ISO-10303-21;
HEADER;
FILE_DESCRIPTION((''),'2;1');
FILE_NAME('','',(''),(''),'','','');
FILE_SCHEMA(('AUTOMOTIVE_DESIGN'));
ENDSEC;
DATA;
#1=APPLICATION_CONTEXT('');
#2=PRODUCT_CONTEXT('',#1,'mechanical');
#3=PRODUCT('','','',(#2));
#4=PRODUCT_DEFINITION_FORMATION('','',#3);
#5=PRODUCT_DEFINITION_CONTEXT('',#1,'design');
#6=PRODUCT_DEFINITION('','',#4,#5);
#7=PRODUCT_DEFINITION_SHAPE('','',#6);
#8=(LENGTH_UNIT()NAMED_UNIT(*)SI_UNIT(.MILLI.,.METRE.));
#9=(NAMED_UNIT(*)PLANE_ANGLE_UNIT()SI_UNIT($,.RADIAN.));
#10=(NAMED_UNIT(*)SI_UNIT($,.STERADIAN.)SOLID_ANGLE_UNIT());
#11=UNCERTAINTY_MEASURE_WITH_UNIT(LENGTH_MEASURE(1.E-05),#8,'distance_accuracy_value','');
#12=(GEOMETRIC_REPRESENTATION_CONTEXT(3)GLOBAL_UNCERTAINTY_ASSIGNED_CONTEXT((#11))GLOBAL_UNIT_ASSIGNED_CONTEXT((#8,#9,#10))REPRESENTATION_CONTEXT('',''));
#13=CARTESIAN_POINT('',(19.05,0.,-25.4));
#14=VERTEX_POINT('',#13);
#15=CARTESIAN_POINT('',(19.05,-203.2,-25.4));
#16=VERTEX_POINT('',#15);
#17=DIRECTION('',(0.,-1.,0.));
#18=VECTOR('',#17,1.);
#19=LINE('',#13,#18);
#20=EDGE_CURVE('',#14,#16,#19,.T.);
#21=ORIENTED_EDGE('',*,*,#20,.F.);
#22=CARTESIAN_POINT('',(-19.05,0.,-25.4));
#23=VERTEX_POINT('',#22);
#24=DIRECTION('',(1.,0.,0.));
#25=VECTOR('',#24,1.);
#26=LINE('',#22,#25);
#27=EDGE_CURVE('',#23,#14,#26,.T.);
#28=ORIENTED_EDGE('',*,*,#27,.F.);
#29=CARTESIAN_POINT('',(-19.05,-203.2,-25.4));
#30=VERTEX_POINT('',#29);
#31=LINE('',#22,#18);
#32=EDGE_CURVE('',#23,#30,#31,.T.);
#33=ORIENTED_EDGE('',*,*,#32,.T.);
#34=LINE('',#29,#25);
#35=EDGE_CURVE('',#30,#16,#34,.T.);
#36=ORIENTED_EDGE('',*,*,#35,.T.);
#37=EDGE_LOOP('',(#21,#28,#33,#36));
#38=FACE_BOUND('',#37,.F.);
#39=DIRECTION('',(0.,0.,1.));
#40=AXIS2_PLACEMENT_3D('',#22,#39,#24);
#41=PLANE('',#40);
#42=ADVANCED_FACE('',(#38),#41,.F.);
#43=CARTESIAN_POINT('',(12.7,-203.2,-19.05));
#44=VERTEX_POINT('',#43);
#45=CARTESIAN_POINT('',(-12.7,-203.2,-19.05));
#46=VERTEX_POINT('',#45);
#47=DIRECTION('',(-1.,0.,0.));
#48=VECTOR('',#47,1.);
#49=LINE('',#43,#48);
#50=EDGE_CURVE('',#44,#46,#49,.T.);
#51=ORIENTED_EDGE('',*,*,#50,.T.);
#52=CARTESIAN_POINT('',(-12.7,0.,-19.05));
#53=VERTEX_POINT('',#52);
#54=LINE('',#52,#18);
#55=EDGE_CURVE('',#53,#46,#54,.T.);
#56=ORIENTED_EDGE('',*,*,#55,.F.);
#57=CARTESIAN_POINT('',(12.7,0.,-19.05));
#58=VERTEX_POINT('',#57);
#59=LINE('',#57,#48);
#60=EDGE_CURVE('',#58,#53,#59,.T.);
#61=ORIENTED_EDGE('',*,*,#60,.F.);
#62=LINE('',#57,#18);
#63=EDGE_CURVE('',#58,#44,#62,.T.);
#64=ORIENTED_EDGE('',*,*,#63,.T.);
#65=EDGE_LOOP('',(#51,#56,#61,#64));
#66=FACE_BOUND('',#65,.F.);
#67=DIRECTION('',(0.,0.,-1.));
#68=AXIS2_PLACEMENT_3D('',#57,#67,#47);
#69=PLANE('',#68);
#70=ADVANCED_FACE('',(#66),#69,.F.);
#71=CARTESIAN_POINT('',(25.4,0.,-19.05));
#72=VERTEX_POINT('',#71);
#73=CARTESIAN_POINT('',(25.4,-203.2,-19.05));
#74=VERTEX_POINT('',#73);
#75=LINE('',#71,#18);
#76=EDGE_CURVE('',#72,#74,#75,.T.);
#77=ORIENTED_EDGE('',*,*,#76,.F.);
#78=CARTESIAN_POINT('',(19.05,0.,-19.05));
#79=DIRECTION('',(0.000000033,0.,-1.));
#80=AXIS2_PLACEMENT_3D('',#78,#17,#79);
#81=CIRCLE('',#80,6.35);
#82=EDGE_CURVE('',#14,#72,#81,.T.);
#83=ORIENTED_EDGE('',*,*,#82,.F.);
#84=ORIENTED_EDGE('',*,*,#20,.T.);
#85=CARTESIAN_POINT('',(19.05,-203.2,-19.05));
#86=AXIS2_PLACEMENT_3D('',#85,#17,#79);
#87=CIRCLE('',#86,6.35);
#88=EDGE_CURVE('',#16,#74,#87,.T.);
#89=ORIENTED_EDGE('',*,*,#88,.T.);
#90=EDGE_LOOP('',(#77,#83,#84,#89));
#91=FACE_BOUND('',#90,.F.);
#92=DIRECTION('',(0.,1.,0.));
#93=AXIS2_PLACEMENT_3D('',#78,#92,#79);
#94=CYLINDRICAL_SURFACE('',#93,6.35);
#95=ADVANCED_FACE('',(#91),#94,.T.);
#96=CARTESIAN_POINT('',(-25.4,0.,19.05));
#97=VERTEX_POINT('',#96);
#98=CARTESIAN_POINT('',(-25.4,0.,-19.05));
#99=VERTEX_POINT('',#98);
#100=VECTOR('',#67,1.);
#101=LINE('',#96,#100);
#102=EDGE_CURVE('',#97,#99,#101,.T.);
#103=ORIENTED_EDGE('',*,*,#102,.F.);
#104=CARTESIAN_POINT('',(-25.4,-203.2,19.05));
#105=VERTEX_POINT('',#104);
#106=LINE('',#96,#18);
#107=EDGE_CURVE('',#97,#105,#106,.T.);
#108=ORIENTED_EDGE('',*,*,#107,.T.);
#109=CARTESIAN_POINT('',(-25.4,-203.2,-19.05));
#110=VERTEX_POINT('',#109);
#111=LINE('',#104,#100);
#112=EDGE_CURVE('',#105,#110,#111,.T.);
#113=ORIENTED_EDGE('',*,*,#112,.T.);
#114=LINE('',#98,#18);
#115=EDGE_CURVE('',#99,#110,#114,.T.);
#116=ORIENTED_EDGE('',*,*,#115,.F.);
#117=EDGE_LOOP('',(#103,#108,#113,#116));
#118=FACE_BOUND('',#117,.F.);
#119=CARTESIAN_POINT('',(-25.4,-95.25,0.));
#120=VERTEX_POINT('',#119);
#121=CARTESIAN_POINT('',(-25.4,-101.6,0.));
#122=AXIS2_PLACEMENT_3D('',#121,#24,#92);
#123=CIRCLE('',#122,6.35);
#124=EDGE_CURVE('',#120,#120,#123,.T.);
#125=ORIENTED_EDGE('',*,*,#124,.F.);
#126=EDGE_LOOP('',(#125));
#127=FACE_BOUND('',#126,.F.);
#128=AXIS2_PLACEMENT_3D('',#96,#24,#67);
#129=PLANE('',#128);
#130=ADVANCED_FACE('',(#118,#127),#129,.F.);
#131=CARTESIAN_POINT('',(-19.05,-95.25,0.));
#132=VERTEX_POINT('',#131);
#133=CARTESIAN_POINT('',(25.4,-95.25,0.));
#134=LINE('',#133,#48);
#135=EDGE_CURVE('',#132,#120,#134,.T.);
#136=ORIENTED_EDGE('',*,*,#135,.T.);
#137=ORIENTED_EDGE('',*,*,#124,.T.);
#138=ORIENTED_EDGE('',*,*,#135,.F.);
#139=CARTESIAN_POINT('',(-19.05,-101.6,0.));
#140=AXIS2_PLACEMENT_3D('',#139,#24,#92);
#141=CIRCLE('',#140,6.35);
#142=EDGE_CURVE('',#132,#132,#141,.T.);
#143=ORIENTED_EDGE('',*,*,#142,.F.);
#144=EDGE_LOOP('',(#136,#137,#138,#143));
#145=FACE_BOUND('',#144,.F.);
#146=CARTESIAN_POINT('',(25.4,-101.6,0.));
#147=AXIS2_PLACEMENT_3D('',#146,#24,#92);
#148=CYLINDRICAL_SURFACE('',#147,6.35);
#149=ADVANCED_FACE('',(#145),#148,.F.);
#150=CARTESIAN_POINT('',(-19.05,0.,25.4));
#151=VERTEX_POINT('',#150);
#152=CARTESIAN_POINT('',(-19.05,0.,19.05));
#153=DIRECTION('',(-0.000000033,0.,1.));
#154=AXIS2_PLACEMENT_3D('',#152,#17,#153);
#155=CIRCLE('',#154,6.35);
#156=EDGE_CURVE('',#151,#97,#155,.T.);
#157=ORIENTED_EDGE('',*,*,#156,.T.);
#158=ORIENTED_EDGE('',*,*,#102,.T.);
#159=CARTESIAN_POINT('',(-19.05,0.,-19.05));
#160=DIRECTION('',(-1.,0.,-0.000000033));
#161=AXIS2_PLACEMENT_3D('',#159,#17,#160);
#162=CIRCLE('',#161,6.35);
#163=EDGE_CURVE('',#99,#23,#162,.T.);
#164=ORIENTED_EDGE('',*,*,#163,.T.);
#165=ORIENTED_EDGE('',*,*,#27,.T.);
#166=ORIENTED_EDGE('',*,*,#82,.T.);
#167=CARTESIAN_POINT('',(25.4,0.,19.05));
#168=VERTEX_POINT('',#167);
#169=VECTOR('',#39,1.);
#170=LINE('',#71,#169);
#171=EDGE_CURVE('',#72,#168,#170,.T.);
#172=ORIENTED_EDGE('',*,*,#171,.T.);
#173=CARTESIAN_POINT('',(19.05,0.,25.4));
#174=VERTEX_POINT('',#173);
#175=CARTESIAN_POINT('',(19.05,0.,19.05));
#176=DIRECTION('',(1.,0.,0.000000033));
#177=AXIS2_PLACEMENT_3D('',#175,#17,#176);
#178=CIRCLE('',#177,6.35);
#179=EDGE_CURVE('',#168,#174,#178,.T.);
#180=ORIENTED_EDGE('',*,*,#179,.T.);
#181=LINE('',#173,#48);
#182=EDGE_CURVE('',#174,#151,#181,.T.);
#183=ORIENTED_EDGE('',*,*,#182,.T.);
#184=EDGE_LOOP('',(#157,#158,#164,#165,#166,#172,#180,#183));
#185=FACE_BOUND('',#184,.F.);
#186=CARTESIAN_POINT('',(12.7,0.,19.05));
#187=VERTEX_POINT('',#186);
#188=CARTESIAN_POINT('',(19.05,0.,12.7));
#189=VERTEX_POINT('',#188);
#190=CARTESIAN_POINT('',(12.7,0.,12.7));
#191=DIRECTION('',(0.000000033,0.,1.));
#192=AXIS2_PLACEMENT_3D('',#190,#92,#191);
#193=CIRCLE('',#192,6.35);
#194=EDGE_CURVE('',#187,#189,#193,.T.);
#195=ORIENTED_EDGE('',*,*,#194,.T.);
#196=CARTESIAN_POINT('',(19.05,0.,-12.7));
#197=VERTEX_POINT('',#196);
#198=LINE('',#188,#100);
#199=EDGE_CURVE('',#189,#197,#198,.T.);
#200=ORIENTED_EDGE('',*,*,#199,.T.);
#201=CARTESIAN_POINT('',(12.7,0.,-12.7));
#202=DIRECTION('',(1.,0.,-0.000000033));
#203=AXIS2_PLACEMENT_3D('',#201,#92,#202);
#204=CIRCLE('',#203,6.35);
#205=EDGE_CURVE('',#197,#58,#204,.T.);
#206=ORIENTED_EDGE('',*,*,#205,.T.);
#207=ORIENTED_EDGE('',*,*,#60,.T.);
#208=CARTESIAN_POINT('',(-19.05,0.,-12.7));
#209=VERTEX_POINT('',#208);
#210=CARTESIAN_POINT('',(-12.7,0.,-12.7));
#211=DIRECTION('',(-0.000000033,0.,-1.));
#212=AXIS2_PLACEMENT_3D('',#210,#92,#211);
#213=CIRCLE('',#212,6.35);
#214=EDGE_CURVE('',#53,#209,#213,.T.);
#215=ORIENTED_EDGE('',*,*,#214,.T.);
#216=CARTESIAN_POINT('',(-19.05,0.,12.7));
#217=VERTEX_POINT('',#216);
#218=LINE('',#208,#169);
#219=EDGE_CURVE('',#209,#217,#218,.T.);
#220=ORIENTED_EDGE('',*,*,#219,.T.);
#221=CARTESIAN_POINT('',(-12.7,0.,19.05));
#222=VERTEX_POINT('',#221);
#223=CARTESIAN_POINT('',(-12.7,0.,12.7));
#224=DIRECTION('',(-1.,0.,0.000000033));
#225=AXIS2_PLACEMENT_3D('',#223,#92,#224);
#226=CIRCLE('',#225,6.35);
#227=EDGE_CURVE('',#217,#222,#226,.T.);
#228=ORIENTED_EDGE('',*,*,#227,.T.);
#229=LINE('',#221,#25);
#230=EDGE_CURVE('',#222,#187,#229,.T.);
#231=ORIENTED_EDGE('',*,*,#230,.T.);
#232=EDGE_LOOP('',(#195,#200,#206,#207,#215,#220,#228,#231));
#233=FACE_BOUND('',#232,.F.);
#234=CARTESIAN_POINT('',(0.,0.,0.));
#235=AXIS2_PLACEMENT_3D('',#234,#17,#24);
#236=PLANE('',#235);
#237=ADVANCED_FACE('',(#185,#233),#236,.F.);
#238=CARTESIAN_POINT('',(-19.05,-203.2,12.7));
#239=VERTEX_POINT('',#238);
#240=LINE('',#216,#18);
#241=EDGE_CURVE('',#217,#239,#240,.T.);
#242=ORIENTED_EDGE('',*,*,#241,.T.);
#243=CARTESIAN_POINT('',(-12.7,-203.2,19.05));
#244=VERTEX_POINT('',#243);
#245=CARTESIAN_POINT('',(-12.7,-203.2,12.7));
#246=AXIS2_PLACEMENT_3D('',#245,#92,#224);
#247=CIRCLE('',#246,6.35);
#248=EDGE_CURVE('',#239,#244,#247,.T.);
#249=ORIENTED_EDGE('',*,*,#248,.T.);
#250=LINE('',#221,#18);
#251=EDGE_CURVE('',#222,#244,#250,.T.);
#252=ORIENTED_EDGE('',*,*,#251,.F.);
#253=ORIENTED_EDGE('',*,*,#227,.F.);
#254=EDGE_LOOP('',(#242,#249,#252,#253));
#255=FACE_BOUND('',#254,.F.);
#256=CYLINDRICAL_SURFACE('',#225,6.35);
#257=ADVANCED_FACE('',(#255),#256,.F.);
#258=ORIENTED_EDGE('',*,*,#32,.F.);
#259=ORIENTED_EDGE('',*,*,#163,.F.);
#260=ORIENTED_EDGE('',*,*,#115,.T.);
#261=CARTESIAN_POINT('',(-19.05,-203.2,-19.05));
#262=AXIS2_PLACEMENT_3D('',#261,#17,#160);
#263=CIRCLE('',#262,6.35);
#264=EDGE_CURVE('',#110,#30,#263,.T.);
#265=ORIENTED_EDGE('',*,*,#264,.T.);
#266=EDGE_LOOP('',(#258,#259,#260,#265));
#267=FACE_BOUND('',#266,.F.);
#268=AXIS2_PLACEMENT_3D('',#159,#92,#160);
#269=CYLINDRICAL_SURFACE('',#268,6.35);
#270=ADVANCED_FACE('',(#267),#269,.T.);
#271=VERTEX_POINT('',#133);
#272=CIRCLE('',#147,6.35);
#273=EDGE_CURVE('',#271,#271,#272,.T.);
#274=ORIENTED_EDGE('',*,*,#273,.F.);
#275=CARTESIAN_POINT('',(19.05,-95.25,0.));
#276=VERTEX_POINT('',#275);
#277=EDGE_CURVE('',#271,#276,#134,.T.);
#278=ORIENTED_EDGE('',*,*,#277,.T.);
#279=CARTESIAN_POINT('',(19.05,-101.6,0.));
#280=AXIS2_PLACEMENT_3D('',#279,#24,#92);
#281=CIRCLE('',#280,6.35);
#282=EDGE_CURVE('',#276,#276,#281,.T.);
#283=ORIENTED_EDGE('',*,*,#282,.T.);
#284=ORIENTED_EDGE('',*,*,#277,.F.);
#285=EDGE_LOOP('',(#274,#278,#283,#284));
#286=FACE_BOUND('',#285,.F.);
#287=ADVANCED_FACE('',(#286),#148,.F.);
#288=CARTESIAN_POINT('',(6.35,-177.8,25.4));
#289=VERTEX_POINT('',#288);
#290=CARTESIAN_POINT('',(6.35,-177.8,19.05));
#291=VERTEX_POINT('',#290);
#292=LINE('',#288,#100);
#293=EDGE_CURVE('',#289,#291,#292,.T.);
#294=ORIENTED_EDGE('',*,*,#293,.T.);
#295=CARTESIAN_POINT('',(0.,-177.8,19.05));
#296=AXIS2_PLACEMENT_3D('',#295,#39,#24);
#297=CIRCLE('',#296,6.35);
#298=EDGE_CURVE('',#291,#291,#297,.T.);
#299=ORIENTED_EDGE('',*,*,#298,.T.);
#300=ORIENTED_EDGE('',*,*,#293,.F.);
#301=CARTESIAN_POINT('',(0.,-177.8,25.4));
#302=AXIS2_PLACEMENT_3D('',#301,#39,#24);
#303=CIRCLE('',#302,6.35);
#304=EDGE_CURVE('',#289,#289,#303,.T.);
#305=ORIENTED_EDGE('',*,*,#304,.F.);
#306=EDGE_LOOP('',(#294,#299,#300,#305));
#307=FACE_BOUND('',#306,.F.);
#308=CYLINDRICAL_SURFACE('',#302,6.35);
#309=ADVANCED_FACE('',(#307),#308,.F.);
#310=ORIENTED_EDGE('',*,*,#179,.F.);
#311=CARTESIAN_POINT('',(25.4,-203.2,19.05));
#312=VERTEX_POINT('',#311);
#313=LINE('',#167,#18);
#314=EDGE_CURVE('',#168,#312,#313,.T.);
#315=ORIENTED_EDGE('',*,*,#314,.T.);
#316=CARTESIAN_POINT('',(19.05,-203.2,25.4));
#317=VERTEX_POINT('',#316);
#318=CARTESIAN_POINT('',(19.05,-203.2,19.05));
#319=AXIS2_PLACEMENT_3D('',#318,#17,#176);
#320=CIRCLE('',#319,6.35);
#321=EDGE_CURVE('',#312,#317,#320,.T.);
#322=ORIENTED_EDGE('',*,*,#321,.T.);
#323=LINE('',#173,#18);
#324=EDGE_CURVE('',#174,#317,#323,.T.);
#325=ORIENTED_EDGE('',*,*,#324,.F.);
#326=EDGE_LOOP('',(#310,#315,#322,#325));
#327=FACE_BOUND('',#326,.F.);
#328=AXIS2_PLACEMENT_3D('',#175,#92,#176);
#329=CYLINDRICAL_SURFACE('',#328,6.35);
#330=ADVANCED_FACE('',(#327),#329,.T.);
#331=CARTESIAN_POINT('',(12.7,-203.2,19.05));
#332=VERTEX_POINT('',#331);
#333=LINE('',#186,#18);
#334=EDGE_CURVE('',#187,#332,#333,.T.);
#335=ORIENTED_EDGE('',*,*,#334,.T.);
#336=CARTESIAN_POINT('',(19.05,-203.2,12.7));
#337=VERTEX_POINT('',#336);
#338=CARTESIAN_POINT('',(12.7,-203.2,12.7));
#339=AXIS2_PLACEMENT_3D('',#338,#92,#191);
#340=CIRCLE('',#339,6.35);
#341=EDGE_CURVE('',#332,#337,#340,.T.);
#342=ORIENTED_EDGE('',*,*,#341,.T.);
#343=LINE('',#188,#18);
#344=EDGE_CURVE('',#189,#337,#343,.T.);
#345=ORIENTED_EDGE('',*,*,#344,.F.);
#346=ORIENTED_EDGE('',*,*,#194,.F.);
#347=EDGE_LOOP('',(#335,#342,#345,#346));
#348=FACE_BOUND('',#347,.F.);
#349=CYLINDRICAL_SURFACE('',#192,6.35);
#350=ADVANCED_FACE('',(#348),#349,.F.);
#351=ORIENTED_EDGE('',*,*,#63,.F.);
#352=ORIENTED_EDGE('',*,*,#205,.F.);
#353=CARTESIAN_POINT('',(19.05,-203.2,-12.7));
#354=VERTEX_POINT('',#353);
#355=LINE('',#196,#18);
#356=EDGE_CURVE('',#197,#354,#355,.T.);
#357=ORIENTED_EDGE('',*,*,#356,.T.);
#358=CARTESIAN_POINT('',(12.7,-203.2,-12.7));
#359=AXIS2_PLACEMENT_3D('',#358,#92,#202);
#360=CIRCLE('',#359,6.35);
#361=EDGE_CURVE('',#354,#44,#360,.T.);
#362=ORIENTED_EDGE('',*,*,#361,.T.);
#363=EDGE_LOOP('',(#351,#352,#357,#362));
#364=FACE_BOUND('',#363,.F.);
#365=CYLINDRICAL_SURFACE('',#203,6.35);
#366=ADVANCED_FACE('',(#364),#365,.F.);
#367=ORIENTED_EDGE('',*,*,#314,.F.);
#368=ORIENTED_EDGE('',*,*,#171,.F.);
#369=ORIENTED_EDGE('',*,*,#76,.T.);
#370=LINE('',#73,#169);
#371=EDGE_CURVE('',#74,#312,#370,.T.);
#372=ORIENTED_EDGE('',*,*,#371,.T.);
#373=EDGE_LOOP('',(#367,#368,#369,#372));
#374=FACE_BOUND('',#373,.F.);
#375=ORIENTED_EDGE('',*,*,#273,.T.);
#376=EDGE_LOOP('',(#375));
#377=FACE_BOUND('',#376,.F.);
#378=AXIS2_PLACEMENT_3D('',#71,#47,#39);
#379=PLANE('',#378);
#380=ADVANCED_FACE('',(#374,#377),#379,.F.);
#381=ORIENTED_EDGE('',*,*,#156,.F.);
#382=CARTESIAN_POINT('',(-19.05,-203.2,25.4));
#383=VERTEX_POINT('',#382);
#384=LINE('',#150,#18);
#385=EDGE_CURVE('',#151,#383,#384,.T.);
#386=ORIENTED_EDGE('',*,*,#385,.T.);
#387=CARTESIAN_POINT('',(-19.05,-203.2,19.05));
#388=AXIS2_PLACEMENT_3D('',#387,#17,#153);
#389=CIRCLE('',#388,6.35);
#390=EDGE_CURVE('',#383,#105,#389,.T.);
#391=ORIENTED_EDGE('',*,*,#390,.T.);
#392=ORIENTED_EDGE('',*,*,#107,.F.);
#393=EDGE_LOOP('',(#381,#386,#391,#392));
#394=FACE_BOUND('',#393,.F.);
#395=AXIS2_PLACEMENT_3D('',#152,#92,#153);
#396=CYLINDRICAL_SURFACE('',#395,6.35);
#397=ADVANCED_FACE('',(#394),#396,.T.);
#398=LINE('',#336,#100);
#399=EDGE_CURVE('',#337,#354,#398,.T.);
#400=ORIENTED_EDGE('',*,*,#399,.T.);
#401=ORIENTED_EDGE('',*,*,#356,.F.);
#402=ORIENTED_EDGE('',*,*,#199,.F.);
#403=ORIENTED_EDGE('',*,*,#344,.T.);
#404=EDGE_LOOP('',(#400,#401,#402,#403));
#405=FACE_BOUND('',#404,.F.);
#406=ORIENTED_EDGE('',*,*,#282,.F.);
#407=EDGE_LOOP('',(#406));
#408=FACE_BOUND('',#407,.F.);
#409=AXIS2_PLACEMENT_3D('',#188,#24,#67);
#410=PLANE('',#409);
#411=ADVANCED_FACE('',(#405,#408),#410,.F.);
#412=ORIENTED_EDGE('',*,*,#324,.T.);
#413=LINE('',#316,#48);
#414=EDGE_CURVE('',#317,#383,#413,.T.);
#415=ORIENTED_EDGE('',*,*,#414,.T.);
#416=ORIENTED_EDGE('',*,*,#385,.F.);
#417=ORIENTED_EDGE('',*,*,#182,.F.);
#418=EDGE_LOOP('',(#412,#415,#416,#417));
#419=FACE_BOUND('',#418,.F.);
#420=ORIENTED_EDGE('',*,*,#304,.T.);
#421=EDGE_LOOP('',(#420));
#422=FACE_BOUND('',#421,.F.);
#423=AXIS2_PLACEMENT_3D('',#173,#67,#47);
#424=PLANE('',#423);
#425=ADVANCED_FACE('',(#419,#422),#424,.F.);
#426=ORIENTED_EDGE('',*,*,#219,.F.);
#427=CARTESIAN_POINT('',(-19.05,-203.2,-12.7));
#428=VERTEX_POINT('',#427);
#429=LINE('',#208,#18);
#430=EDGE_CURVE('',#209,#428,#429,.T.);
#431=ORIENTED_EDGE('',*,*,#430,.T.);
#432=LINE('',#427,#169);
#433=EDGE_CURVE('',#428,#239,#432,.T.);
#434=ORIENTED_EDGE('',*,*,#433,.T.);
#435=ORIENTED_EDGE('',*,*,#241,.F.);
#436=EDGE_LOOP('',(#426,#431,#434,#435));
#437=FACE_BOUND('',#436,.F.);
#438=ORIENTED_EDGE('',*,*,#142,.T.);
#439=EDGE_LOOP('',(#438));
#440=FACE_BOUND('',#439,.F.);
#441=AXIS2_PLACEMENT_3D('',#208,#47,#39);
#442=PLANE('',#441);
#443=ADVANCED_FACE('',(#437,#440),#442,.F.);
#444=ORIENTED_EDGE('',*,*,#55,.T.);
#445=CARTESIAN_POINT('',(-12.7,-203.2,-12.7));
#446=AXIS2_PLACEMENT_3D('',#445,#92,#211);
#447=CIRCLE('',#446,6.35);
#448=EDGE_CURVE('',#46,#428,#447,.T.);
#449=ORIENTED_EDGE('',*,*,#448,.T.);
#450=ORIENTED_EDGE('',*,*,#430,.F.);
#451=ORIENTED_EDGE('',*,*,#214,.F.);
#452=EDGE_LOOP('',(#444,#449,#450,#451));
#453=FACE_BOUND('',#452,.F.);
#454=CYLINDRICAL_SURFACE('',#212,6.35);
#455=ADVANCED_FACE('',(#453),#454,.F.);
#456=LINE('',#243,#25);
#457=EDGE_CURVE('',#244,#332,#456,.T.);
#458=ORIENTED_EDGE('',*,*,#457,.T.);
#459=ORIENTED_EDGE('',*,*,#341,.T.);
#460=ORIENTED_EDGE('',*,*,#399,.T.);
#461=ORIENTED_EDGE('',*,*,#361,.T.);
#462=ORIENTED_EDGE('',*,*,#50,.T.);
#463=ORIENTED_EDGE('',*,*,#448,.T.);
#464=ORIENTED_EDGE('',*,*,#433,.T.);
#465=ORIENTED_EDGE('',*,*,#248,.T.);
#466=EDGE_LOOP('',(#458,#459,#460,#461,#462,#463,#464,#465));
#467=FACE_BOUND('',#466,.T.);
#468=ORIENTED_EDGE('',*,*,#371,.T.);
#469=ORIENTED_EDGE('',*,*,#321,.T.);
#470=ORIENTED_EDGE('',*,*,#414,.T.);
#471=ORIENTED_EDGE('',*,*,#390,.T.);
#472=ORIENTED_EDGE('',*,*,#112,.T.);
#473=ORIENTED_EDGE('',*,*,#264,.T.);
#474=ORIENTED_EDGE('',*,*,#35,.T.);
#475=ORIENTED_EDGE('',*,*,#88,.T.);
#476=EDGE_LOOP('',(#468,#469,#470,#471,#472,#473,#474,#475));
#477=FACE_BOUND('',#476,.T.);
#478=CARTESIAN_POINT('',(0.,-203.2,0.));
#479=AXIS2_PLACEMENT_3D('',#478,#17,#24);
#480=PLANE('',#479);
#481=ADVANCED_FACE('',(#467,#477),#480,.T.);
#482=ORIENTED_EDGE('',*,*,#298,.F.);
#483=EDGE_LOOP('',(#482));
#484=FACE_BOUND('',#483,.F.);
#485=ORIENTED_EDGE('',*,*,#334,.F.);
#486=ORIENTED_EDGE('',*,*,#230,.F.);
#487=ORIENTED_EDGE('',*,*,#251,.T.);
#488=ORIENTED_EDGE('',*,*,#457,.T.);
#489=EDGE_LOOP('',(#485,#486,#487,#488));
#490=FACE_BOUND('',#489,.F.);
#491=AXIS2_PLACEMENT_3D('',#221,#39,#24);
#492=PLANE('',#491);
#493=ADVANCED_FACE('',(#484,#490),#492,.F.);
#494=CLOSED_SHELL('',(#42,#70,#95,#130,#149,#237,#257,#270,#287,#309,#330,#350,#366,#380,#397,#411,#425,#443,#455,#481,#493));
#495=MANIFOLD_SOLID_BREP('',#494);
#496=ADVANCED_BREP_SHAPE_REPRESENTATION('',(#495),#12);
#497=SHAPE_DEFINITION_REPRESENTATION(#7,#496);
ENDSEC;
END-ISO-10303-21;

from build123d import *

# Parameters (mm, degrees)
F1_DEPTH = 203.2
F2_R     = 6.35
F3_DEPTH = 50.8
F4_R     = 6.35
F5_DEPTH = 25.4


with BuildPart() as f1:
    # F0 (on Front) → F1 (new body)
    with BuildSketch(Plane.XZ):
        with BuildLine():
            Line((-19.05, -25.4), (19.05, -25.4))
            ThreePointArc((19.05, -25.4), (23.540128, -23.540128), (25.4, -19.05))
            Line((25.4, -19.05), (25.4, 19.05))
            ThreePointArc((25.4, 19.05), (23.540128, 23.540128), (19.05, 25.4))
            Line((19.05, 25.4), (-19.05, 25.4))
            ThreePointArc((-19.05, 25.4), (-23.540128, 23.540128), (-25.4, 19.05))
            Line((-25.4, 19.05), (-25.4, -19.05))
            ThreePointArc((-25.4, -19.05), (-23.540128, -23.540128), (-19.05, -25.4))
        make_face()
        with BuildLine():
            ThreePointArc((19.05, -12.7), (17.190128, -17.190128), (12.7, -19.05))
            Line((12.7, -19.05), (-12.7, -19.05))
            ThreePointArc((-12.7, -19.05), (-17.190128, -17.190128), (-19.05, -12.7))
            Line((-19.05, -12.7), (-19.05, 12.7))
            ThreePointArc((-19.05, 12.7), (-17.190128, 17.190128), (-12.7, 19.05))
            Line((-12.7, 19.05), (12.7, 19.05))
            ThreePointArc((12.7, 19.05), (17.190128, 17.190128), (19.05, 12.7))
            Line((19.05, 12.7), (19.05, -12.7))
        make_face(mode=Mode.SUBTRACT)
    extrude(amount=F1_DEPTH)

    # F2 (on face) → F3 (cut)
    with BuildSketch(Plane.YZ.offset(25.4)):
        with Locations((-101.6, 0)):
            Circle(F2_R)
    extrude(amount=-F3_DEPTH, mode=Mode.SUBTRACT)

    # F4 (on face) → F5 (cut)
    with BuildSketch(Plane.XY.offset(25.4)):
        with Locations((0, -177.8)):
            Circle(F4_R)
    extrude(amount=-F5_DEPTH, mode=Mode.SUBTRACT)


solid = f1.part
